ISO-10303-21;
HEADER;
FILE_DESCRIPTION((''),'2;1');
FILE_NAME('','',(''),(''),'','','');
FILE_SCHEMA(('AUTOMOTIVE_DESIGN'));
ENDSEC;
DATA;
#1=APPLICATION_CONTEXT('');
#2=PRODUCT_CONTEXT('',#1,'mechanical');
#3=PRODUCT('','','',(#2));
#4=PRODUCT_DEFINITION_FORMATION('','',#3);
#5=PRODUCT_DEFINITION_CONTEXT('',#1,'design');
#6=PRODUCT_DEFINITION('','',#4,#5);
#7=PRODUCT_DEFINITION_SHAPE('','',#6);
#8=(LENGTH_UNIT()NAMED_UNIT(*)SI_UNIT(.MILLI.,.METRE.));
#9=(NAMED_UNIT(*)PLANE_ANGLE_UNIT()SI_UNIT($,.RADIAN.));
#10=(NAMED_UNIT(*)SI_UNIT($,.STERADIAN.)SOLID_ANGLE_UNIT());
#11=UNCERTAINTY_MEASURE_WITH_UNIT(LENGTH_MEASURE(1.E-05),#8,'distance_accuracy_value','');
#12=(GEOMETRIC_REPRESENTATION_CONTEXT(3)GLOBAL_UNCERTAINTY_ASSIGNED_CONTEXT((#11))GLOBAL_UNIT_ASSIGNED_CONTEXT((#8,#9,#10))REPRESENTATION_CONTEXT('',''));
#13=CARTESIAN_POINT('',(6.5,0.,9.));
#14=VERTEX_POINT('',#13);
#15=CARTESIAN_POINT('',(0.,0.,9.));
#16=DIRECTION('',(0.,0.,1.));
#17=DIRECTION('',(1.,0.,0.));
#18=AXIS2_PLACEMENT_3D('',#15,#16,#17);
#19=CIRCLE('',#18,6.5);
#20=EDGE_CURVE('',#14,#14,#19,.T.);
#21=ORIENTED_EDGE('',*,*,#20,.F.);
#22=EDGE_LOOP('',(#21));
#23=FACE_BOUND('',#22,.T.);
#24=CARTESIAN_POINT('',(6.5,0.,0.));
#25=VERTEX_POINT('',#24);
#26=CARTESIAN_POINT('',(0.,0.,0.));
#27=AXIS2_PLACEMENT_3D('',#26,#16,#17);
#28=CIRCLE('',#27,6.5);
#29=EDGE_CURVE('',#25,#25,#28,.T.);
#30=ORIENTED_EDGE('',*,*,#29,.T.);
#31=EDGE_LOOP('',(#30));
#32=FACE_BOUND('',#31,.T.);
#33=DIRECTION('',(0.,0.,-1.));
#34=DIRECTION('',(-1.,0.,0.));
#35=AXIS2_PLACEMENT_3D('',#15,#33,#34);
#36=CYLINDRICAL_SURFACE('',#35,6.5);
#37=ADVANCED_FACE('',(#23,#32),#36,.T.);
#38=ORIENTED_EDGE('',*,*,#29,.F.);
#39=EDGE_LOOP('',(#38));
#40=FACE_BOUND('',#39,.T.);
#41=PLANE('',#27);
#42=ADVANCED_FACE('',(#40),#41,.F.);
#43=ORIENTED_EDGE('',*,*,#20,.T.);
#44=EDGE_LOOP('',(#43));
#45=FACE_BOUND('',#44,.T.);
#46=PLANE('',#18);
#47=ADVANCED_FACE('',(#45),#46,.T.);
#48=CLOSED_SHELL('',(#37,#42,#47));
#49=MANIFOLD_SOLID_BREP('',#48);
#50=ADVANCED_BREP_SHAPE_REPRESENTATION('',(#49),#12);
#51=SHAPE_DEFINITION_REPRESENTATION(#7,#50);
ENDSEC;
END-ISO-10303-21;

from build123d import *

# Parameters (mm, degrees)
ESQUISSE1_R        = 6.5
BOSS_EXTRU_1_DEPTH = 9


with BuildPart() as part:
    # Esquisse1 → Boss.-Extru.1 (new body)
    with BuildSketch(Plane.XY):
        Circle(ESQUISSE1_R)
    extrude(amount=BOSS_EXTRU_1_DEPTH)


solid = part.part
